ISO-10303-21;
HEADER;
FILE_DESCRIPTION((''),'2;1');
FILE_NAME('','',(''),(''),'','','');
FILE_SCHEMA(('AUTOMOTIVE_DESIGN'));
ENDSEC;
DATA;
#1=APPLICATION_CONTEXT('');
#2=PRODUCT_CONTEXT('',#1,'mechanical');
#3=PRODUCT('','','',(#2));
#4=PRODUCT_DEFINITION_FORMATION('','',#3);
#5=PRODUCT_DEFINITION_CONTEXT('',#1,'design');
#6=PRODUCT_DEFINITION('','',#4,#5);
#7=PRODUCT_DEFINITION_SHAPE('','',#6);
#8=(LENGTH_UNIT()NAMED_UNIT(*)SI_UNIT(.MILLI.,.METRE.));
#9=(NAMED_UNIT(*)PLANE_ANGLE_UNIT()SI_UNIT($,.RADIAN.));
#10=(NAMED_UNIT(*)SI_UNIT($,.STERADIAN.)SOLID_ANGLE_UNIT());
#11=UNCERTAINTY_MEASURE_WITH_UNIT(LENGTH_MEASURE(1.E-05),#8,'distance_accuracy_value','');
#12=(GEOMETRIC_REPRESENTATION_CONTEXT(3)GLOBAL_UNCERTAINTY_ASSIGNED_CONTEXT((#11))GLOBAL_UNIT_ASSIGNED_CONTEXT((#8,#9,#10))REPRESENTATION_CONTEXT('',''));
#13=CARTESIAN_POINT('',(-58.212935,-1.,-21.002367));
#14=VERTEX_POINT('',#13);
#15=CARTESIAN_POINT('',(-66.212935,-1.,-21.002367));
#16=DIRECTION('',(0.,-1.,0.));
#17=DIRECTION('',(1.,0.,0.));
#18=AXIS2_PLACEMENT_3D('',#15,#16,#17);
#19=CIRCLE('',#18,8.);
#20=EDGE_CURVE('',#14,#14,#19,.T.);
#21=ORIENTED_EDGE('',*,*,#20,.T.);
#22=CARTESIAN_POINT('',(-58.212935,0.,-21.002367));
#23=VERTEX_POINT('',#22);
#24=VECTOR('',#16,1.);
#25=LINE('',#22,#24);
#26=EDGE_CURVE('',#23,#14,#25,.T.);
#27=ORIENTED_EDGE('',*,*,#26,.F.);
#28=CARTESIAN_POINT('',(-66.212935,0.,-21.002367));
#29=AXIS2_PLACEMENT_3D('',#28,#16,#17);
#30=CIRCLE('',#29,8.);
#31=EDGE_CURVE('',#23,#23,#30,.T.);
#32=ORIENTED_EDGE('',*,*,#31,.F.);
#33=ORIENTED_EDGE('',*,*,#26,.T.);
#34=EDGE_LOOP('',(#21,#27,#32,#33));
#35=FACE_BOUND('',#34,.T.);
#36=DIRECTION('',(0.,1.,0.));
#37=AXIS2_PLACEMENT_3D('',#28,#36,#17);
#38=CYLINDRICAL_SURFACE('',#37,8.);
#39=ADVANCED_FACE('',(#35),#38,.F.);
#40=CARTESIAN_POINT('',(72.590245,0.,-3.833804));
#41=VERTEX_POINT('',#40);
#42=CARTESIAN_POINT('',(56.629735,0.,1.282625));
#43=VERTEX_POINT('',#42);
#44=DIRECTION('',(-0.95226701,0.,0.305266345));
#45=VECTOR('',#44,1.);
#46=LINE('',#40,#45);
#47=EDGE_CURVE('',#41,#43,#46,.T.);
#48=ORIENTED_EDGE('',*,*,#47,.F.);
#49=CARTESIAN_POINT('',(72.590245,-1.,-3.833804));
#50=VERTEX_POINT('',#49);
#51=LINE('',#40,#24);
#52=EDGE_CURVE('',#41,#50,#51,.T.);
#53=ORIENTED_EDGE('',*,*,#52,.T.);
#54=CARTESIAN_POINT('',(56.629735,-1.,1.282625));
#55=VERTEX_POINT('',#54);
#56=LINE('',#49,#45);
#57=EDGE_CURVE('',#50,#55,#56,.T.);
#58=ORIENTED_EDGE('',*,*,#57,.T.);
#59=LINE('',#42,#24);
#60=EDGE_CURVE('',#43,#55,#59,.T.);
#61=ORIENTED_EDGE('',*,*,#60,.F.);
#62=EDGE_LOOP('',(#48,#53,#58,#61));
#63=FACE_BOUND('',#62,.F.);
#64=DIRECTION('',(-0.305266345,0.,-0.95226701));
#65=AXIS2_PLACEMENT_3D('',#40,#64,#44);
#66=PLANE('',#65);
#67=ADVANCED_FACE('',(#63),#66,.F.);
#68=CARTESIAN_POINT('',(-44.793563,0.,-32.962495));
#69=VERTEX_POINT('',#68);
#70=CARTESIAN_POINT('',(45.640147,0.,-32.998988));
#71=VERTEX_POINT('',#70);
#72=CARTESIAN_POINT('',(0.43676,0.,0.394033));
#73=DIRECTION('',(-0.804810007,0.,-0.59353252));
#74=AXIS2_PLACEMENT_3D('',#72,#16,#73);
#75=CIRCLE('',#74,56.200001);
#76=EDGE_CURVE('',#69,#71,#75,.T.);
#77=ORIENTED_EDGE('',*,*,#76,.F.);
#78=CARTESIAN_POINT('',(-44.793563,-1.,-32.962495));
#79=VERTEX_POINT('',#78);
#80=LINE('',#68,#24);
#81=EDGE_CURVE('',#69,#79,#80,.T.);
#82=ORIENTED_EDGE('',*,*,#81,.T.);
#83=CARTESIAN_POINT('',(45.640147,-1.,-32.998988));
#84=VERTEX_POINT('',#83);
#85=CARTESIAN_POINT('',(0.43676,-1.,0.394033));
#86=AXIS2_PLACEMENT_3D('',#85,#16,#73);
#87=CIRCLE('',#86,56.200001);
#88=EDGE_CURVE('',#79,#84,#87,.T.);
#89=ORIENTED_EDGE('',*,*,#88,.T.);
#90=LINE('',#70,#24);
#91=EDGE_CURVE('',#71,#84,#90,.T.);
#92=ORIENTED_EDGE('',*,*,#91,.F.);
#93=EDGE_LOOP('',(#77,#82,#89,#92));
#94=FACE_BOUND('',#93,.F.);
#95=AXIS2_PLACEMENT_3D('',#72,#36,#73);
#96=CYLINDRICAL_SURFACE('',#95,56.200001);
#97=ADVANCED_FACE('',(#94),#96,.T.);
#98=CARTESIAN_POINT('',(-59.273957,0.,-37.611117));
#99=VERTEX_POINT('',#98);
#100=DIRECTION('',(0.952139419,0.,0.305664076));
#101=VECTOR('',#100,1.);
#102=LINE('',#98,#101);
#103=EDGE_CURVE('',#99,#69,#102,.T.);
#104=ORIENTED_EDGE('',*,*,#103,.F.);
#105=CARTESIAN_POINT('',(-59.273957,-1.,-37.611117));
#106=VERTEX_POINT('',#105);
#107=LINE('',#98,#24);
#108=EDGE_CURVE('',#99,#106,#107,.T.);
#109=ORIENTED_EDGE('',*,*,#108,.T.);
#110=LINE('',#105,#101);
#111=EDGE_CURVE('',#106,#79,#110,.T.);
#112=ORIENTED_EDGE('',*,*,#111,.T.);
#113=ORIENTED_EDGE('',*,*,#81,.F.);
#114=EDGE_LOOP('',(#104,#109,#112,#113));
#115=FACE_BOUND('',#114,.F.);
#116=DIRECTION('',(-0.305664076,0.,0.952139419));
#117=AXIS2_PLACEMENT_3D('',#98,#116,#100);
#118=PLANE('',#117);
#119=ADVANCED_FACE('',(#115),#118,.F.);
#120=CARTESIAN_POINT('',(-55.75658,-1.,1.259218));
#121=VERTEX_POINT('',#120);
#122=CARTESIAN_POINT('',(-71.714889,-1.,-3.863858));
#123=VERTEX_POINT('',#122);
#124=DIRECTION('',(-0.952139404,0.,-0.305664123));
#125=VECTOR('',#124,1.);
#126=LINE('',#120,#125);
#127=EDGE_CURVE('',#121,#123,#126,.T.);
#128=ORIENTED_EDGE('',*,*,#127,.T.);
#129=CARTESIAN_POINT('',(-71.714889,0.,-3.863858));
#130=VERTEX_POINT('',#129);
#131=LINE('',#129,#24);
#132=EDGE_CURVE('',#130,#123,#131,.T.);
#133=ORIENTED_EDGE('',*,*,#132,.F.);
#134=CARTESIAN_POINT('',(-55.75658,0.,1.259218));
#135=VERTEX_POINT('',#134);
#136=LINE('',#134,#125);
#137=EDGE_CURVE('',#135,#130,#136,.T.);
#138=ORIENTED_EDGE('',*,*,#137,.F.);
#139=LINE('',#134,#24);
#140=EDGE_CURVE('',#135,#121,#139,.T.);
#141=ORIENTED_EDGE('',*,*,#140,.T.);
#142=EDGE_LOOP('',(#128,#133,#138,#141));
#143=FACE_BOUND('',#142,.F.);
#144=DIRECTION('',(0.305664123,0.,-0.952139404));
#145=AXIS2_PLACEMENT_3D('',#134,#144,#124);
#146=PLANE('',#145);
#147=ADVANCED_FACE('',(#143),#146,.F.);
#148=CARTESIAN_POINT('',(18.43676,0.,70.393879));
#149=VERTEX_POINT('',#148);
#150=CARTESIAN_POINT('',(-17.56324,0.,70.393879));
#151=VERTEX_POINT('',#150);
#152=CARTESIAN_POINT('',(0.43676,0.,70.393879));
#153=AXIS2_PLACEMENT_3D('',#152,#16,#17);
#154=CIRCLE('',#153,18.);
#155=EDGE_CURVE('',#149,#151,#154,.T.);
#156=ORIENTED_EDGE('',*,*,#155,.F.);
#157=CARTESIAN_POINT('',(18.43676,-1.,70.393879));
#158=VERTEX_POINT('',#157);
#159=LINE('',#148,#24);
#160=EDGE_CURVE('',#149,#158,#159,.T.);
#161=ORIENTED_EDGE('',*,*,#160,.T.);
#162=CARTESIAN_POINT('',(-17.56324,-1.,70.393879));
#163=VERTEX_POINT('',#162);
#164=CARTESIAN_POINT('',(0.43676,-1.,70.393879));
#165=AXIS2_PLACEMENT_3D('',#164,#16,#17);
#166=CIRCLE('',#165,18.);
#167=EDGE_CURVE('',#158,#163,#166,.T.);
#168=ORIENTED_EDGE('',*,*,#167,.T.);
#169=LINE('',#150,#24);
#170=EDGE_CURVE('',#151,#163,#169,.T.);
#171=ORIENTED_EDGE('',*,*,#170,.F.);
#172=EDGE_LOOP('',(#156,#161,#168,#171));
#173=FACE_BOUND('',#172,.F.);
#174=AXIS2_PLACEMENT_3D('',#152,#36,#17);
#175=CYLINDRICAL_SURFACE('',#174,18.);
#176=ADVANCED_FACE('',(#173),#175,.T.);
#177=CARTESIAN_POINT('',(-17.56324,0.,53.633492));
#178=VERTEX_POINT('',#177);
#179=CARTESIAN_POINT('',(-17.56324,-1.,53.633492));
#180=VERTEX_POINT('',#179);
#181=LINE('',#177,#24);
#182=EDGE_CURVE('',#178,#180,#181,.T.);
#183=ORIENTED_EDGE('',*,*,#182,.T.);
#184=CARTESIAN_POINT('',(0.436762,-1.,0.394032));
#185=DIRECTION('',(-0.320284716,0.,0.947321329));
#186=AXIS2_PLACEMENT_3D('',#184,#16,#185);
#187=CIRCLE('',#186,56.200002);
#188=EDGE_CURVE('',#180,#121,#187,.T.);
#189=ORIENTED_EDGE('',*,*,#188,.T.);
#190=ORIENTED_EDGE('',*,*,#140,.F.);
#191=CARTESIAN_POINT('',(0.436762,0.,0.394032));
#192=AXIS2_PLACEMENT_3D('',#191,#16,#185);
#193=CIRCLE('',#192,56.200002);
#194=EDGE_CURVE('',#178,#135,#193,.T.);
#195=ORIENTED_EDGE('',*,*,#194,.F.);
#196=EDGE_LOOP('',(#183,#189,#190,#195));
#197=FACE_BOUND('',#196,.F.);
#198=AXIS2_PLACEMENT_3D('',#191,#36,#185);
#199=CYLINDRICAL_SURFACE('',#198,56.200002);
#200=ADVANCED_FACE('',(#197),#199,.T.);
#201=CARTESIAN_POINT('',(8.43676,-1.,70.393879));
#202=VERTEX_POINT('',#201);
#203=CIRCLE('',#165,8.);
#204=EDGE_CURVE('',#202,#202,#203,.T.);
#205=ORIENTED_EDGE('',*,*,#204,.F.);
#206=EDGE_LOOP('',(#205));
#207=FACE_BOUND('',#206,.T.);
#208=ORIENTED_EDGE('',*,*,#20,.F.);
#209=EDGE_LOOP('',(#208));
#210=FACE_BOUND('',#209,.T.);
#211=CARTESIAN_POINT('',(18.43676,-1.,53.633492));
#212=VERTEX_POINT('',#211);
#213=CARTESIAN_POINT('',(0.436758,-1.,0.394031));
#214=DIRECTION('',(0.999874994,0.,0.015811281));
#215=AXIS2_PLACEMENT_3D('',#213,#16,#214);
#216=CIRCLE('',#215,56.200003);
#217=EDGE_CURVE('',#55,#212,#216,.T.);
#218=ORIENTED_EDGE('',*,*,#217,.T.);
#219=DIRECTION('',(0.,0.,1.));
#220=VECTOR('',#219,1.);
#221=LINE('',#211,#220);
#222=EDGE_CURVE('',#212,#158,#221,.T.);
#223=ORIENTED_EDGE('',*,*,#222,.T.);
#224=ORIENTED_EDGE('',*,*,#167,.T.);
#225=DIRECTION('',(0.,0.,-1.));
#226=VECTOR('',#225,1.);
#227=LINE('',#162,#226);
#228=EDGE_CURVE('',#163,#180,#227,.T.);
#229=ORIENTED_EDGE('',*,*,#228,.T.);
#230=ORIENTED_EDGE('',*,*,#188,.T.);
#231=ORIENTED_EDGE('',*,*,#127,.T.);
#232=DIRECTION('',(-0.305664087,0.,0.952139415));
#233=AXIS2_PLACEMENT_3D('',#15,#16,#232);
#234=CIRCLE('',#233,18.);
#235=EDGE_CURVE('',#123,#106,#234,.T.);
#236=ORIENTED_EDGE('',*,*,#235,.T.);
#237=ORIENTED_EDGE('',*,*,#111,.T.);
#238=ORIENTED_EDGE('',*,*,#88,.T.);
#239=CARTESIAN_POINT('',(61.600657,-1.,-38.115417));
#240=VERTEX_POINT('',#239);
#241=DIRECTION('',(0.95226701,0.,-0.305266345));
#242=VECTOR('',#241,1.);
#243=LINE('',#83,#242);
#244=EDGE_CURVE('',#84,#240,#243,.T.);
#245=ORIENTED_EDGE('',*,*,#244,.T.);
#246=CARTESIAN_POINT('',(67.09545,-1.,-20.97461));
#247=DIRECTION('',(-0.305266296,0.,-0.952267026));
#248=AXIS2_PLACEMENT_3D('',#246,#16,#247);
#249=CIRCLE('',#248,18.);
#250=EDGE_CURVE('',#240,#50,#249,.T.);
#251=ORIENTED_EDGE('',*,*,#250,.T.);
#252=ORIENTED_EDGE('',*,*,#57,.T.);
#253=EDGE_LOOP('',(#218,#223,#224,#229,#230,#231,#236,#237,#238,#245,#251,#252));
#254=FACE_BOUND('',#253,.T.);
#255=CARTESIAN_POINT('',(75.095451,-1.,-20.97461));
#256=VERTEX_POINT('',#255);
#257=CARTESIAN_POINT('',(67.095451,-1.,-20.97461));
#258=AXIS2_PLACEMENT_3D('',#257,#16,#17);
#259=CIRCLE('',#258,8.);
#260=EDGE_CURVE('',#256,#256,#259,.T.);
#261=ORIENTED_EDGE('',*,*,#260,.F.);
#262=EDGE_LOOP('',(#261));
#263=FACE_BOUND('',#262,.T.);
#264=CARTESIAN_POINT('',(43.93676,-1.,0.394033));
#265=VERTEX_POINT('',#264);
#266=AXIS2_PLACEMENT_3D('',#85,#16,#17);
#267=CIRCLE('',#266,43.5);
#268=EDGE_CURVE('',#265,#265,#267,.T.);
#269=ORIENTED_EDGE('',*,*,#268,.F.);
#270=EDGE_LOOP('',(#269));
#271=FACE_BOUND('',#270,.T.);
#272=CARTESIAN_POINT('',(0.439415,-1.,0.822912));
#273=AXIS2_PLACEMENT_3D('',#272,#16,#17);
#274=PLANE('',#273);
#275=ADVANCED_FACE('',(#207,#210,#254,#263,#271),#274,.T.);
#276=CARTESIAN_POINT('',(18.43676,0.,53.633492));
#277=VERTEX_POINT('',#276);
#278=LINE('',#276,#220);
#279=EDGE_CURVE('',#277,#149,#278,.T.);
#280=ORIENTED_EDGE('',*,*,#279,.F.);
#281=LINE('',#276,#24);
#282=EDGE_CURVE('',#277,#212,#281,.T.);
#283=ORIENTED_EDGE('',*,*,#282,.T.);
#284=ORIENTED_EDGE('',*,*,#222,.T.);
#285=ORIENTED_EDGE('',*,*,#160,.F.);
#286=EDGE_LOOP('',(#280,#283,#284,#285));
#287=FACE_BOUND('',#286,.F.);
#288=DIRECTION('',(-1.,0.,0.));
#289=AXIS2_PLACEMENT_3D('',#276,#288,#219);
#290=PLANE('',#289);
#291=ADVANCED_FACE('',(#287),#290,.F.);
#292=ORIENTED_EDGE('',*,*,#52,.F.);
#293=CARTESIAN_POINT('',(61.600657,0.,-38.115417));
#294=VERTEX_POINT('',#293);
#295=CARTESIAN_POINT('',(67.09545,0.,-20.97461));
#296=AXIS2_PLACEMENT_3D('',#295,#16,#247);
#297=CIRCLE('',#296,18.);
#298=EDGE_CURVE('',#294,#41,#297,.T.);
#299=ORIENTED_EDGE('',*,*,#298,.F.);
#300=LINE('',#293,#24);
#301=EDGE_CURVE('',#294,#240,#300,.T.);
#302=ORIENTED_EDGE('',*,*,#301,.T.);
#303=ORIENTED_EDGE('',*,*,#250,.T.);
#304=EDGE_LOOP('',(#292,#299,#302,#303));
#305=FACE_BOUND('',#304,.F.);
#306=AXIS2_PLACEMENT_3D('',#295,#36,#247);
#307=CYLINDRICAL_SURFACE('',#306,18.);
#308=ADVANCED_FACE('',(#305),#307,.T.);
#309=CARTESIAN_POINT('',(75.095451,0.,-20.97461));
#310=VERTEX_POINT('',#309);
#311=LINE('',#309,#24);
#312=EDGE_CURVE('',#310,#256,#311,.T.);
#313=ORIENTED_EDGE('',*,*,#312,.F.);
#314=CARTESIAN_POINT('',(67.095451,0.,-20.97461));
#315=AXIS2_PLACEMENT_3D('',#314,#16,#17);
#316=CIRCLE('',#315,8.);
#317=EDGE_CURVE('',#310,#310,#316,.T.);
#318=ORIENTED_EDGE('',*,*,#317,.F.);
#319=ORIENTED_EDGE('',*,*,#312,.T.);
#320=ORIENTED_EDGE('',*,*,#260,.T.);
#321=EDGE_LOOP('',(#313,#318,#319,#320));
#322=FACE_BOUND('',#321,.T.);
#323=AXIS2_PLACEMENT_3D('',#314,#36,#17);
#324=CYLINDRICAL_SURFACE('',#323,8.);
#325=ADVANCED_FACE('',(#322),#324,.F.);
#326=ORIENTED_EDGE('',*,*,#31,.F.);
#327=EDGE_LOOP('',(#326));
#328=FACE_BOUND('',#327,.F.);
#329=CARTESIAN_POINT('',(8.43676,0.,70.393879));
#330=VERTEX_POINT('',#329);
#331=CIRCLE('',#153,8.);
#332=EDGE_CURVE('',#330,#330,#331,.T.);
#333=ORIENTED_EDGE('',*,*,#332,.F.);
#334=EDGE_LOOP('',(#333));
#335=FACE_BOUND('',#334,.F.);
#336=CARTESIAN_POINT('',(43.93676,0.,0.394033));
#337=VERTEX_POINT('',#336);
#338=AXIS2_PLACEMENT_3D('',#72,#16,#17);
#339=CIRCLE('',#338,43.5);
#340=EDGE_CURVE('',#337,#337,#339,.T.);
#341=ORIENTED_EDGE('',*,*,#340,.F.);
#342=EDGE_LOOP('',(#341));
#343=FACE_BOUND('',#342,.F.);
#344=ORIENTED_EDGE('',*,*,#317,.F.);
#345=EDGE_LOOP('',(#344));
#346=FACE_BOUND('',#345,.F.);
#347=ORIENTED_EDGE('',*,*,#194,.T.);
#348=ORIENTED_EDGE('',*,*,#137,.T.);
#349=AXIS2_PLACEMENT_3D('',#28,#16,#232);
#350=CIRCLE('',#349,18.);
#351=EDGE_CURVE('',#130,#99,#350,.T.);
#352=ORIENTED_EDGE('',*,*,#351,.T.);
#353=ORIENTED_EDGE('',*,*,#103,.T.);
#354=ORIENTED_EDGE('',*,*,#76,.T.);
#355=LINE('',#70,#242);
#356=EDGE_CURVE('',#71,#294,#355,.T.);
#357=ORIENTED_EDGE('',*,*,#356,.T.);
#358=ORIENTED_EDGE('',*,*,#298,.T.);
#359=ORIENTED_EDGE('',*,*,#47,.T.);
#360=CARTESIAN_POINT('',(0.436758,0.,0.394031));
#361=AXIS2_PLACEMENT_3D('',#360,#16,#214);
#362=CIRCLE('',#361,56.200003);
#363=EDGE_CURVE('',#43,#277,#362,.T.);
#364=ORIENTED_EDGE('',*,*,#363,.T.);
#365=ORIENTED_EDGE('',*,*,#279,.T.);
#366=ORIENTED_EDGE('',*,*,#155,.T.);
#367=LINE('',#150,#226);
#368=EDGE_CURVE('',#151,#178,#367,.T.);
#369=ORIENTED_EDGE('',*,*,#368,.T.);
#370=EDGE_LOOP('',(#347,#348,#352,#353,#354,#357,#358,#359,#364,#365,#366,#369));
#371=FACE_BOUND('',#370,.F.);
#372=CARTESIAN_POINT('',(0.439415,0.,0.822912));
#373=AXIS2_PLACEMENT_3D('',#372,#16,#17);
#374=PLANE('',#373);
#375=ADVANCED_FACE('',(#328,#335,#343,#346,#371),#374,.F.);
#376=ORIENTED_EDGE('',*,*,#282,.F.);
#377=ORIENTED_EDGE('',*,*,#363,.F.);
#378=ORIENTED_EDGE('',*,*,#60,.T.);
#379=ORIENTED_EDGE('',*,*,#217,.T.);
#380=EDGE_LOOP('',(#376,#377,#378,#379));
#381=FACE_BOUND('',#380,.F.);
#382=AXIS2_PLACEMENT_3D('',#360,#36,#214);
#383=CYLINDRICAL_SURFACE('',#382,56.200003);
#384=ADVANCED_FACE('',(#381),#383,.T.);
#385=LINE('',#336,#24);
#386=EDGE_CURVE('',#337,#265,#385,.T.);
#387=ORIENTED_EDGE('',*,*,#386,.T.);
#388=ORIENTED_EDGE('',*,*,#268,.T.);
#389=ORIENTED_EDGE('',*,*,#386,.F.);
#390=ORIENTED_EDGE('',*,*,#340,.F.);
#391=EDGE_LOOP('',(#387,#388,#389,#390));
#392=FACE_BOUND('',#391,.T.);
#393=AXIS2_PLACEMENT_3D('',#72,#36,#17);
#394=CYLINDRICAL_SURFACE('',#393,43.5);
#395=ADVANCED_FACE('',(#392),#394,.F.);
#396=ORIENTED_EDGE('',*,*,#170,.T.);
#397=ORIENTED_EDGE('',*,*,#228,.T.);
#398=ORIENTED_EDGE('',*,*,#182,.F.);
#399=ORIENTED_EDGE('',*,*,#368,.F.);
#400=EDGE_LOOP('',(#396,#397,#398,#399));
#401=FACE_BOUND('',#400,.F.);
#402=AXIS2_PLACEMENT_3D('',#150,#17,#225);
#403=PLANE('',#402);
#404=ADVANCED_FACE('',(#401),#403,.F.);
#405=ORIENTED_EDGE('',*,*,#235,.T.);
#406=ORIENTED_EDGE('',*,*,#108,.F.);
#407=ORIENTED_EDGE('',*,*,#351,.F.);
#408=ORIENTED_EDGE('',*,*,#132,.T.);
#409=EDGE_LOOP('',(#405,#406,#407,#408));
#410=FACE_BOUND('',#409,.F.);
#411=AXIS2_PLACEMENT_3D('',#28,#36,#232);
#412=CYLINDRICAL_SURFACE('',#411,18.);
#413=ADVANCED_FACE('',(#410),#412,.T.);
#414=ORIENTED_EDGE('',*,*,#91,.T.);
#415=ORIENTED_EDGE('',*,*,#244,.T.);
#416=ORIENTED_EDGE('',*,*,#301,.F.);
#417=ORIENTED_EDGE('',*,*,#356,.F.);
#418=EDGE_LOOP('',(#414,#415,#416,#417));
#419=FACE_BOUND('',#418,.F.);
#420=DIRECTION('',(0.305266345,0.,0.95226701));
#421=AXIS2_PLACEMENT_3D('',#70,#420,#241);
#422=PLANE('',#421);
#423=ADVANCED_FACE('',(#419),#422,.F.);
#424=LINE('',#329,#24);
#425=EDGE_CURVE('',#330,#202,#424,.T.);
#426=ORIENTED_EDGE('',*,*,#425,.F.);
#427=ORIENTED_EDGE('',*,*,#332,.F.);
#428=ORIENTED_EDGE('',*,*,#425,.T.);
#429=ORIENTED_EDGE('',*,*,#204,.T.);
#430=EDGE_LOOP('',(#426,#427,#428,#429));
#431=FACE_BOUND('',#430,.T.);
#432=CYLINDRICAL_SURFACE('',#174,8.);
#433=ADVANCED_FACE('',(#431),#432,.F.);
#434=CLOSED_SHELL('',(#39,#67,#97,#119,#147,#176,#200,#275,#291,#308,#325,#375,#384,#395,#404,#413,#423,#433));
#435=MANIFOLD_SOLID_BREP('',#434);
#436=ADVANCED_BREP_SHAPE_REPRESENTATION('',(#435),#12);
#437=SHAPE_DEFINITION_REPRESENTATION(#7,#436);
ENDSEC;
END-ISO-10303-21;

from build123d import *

# Parameters (mm, degrees)
F0_R     = 43.5
F0_R_2   = 8
F1_DEPTH = 1


with BuildPart() as f1:
    # F0 (on Front) → F1 (new body)
    with BuildSketch(Plane.XZ):
        with BuildLine():
            ThreePointArc((45.640147, -32.998988), (53.816861, -17.1845), (56.63676, 0.394033))
            ThreePointArc((56.63676, 0.394033), (56.635003, 0.838343), (56.629735, 1.282625))
            ThreePointArc((56.629735, 1.282625), (45.838331, 33.517096), (18.43676, 53.633492))
            ThreePointArc((18.43676, 53.633492), (0.43676, 56.594033), (-17.56324, 53.633492))
            ThreePointArc((-17.56324, 53.633492), (-44.971709, 33.507639), (-55.75658, 1.259218))
            ThreePointArc((-55.75658, 1.259218), (-53.083995, -16.751485), (-44.793563, -32.962495))
            ThreePointArc((-44.793563, -32.962495), (0.414081, -55.805963), (45.640147, -32.998988))
        make_face()
        with Locations((0.43676, 0.394033)):
            Circle(F0_R, mode=Mode.SUBTRACT)
        with BuildLine():
            Line((-59.273957, -37.611117), (-44.793563, -32.962495))
            ThreePointArc((-44.793563, -32.962495), (-53.083995, -16.751485), (-55.75658, 1.259218))
            Line((-55.75658, 1.259218), (-71.714889, -3.863858))
            ThreePointArc((-71.714889, -3.863858), (-83.101856, -27.22847), (-59.273957, -37.611117))
        make_face()
        with Locations((-66.212935, -21.002367)):
            Circle(F0_R_2, mode=Mode.SUBTRACT)
        with BuildLine():
            ThreePointArc((56.629735, 1.282625), (56.635003, 0.838343), (56.63676, 0.394033))
            ThreePointArc((56.63676, 0.394033), (53.816861, -17.1845), (45.640147, -32.998988))
            Line((45.640147, -32.998988), (61.600657, -38.115417))
            ThreePointArc((61.600657, -38.115417), (84.236257, -26.469404), (72.590245, -3.833804))
            Line((72.590245, -3.833804), (56.629735, 1.282625))
        make_face()
        with Locations((67.095451, -20.97461)):
            Circle(F0_R_2, mode=Mode.SUBTRACT)
        with BuildLine():
            ThreePointArc((-17.56324, 53.633492), (0.43676, 56.594033), (18.43676, 53.633492))
            Line((18.43676, 53.633492), (18.43676, 70.393879))
            ThreePointArc((18.43676, 70.393879), (0.43676, 88.393879), (-17.56324, 70.393879))
            Line((-17.56324, 70.393879), (-17.56324, 53.633492))
        make_face()
        with Locations((0.43676, 70.393879)):
            Circle(F0_R_2, mode=Mode.SUBTRACT)
    extrude(amount=F1_DEPTH)


solid = f1.part
